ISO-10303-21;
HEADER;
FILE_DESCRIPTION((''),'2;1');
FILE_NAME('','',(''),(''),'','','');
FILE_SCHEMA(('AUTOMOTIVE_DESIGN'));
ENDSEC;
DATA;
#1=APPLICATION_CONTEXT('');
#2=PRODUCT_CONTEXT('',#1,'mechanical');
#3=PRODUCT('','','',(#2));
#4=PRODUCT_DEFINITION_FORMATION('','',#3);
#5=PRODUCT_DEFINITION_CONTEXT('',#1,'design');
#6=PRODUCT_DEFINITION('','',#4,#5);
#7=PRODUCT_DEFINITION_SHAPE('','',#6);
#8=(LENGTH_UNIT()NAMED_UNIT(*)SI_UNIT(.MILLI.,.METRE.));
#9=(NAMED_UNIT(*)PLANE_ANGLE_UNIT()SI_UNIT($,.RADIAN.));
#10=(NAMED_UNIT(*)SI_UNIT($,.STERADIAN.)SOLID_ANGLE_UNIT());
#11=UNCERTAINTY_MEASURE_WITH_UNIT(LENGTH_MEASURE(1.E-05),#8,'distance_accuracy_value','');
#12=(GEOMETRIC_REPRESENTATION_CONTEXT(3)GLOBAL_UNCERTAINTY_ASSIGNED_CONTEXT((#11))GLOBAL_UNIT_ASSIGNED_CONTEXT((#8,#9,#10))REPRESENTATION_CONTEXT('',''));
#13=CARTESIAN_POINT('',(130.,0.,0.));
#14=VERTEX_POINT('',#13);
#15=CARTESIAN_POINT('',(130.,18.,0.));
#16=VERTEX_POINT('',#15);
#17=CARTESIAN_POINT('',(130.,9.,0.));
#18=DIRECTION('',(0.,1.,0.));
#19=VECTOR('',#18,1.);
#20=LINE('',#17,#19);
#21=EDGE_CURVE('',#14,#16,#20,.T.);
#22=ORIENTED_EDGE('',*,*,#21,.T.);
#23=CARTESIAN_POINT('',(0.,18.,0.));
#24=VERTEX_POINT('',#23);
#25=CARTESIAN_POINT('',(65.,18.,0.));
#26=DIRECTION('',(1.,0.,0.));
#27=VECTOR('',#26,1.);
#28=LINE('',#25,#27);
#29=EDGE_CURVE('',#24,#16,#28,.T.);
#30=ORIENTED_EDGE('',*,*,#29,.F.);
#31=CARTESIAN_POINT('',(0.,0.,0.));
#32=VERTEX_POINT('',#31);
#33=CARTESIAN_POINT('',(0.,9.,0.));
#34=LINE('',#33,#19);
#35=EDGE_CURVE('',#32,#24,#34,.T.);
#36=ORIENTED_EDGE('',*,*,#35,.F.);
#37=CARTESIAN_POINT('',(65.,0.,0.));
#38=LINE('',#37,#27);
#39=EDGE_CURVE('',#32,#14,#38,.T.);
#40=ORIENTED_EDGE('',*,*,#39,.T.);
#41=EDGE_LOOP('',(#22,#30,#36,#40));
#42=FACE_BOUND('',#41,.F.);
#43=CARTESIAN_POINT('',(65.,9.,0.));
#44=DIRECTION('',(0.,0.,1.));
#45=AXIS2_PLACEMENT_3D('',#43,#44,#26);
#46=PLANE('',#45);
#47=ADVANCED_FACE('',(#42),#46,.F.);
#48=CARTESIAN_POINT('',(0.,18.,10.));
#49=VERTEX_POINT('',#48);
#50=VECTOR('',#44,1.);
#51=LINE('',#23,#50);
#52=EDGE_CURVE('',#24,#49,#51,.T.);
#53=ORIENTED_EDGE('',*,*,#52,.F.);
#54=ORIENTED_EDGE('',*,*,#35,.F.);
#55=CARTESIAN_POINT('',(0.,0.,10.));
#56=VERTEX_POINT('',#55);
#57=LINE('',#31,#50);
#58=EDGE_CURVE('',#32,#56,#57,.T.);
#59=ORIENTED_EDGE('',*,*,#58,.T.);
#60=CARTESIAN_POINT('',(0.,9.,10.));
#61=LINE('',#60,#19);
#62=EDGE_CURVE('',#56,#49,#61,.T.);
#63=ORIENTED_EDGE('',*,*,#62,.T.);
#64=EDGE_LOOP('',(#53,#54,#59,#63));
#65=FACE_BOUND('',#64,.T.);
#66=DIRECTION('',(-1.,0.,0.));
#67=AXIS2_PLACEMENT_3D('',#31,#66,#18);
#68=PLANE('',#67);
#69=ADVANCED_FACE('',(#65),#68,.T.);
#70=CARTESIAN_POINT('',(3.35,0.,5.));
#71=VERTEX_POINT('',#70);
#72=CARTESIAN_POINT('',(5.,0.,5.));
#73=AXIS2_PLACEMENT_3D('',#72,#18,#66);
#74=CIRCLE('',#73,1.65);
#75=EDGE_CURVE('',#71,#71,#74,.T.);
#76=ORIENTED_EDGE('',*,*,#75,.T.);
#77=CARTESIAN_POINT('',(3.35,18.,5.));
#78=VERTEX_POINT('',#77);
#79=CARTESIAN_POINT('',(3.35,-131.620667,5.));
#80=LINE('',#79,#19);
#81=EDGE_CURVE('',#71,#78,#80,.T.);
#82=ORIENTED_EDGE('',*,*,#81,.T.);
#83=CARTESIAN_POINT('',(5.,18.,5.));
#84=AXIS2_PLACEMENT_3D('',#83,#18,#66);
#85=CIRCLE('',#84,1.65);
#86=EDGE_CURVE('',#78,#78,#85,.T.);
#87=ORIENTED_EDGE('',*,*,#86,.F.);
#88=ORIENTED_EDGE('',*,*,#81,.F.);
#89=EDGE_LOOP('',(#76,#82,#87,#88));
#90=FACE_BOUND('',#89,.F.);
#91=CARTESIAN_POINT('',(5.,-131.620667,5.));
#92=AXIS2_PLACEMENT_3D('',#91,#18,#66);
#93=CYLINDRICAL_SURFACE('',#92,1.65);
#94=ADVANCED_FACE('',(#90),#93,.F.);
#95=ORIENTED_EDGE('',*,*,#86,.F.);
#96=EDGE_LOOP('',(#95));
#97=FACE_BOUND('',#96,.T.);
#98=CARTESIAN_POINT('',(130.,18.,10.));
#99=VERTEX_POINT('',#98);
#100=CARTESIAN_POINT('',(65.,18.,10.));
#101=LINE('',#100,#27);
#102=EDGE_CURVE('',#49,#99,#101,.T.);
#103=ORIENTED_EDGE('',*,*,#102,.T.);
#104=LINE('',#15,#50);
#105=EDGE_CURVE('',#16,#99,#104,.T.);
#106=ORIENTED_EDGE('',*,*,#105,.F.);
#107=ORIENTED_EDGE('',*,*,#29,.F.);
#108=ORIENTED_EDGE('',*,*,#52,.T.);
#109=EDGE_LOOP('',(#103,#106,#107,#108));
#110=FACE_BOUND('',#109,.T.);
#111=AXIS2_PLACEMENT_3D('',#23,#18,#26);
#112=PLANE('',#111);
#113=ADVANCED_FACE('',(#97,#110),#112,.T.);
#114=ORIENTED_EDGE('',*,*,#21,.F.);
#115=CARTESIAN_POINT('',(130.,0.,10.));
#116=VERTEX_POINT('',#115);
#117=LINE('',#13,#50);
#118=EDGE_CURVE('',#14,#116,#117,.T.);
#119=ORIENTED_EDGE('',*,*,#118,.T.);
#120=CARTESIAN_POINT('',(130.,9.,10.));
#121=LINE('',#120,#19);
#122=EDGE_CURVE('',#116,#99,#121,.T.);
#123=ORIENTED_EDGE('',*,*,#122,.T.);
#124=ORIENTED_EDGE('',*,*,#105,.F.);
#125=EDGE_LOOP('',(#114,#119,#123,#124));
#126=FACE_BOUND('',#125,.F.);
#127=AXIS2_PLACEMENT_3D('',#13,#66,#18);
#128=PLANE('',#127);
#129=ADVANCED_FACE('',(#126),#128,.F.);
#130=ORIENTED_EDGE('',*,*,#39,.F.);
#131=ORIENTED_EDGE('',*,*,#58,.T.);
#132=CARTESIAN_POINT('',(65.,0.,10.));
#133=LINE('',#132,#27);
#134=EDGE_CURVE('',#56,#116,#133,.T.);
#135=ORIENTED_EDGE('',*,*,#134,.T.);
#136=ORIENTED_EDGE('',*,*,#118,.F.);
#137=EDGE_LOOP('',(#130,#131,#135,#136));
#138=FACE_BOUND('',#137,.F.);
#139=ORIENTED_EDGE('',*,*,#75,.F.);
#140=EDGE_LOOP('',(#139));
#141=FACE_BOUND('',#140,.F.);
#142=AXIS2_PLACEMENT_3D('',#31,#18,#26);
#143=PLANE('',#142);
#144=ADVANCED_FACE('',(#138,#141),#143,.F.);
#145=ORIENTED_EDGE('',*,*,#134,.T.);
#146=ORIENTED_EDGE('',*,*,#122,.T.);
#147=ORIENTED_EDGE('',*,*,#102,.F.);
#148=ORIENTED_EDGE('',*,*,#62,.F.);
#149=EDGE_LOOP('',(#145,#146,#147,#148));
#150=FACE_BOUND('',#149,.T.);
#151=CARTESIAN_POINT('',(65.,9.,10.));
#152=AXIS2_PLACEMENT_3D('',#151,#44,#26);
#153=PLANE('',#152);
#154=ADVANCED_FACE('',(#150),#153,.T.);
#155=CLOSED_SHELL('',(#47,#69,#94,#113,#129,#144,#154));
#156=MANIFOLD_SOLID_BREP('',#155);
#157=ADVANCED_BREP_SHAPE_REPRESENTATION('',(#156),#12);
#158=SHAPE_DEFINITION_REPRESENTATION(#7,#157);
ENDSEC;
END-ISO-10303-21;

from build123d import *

# Parameters (mm, degrees)
F0_W     = 130
F0_H     = 18
F1_DEPTH = 10
F3_D     = 3.3


with BuildPart() as f1:
    # F0 (on Top) → F1 (new body)
    with BuildSketch(Plane.XY):
        with Locations((65, 9)):
            Rectangle(F0_W, F0_H)
    extrude(amount=F1_DEPTH)

    # F3 (through all)
    with Locations(Plane.XZ):
        with Locations((5, 5)):
            Hole(F3_D / 2)


solid = f1.part
